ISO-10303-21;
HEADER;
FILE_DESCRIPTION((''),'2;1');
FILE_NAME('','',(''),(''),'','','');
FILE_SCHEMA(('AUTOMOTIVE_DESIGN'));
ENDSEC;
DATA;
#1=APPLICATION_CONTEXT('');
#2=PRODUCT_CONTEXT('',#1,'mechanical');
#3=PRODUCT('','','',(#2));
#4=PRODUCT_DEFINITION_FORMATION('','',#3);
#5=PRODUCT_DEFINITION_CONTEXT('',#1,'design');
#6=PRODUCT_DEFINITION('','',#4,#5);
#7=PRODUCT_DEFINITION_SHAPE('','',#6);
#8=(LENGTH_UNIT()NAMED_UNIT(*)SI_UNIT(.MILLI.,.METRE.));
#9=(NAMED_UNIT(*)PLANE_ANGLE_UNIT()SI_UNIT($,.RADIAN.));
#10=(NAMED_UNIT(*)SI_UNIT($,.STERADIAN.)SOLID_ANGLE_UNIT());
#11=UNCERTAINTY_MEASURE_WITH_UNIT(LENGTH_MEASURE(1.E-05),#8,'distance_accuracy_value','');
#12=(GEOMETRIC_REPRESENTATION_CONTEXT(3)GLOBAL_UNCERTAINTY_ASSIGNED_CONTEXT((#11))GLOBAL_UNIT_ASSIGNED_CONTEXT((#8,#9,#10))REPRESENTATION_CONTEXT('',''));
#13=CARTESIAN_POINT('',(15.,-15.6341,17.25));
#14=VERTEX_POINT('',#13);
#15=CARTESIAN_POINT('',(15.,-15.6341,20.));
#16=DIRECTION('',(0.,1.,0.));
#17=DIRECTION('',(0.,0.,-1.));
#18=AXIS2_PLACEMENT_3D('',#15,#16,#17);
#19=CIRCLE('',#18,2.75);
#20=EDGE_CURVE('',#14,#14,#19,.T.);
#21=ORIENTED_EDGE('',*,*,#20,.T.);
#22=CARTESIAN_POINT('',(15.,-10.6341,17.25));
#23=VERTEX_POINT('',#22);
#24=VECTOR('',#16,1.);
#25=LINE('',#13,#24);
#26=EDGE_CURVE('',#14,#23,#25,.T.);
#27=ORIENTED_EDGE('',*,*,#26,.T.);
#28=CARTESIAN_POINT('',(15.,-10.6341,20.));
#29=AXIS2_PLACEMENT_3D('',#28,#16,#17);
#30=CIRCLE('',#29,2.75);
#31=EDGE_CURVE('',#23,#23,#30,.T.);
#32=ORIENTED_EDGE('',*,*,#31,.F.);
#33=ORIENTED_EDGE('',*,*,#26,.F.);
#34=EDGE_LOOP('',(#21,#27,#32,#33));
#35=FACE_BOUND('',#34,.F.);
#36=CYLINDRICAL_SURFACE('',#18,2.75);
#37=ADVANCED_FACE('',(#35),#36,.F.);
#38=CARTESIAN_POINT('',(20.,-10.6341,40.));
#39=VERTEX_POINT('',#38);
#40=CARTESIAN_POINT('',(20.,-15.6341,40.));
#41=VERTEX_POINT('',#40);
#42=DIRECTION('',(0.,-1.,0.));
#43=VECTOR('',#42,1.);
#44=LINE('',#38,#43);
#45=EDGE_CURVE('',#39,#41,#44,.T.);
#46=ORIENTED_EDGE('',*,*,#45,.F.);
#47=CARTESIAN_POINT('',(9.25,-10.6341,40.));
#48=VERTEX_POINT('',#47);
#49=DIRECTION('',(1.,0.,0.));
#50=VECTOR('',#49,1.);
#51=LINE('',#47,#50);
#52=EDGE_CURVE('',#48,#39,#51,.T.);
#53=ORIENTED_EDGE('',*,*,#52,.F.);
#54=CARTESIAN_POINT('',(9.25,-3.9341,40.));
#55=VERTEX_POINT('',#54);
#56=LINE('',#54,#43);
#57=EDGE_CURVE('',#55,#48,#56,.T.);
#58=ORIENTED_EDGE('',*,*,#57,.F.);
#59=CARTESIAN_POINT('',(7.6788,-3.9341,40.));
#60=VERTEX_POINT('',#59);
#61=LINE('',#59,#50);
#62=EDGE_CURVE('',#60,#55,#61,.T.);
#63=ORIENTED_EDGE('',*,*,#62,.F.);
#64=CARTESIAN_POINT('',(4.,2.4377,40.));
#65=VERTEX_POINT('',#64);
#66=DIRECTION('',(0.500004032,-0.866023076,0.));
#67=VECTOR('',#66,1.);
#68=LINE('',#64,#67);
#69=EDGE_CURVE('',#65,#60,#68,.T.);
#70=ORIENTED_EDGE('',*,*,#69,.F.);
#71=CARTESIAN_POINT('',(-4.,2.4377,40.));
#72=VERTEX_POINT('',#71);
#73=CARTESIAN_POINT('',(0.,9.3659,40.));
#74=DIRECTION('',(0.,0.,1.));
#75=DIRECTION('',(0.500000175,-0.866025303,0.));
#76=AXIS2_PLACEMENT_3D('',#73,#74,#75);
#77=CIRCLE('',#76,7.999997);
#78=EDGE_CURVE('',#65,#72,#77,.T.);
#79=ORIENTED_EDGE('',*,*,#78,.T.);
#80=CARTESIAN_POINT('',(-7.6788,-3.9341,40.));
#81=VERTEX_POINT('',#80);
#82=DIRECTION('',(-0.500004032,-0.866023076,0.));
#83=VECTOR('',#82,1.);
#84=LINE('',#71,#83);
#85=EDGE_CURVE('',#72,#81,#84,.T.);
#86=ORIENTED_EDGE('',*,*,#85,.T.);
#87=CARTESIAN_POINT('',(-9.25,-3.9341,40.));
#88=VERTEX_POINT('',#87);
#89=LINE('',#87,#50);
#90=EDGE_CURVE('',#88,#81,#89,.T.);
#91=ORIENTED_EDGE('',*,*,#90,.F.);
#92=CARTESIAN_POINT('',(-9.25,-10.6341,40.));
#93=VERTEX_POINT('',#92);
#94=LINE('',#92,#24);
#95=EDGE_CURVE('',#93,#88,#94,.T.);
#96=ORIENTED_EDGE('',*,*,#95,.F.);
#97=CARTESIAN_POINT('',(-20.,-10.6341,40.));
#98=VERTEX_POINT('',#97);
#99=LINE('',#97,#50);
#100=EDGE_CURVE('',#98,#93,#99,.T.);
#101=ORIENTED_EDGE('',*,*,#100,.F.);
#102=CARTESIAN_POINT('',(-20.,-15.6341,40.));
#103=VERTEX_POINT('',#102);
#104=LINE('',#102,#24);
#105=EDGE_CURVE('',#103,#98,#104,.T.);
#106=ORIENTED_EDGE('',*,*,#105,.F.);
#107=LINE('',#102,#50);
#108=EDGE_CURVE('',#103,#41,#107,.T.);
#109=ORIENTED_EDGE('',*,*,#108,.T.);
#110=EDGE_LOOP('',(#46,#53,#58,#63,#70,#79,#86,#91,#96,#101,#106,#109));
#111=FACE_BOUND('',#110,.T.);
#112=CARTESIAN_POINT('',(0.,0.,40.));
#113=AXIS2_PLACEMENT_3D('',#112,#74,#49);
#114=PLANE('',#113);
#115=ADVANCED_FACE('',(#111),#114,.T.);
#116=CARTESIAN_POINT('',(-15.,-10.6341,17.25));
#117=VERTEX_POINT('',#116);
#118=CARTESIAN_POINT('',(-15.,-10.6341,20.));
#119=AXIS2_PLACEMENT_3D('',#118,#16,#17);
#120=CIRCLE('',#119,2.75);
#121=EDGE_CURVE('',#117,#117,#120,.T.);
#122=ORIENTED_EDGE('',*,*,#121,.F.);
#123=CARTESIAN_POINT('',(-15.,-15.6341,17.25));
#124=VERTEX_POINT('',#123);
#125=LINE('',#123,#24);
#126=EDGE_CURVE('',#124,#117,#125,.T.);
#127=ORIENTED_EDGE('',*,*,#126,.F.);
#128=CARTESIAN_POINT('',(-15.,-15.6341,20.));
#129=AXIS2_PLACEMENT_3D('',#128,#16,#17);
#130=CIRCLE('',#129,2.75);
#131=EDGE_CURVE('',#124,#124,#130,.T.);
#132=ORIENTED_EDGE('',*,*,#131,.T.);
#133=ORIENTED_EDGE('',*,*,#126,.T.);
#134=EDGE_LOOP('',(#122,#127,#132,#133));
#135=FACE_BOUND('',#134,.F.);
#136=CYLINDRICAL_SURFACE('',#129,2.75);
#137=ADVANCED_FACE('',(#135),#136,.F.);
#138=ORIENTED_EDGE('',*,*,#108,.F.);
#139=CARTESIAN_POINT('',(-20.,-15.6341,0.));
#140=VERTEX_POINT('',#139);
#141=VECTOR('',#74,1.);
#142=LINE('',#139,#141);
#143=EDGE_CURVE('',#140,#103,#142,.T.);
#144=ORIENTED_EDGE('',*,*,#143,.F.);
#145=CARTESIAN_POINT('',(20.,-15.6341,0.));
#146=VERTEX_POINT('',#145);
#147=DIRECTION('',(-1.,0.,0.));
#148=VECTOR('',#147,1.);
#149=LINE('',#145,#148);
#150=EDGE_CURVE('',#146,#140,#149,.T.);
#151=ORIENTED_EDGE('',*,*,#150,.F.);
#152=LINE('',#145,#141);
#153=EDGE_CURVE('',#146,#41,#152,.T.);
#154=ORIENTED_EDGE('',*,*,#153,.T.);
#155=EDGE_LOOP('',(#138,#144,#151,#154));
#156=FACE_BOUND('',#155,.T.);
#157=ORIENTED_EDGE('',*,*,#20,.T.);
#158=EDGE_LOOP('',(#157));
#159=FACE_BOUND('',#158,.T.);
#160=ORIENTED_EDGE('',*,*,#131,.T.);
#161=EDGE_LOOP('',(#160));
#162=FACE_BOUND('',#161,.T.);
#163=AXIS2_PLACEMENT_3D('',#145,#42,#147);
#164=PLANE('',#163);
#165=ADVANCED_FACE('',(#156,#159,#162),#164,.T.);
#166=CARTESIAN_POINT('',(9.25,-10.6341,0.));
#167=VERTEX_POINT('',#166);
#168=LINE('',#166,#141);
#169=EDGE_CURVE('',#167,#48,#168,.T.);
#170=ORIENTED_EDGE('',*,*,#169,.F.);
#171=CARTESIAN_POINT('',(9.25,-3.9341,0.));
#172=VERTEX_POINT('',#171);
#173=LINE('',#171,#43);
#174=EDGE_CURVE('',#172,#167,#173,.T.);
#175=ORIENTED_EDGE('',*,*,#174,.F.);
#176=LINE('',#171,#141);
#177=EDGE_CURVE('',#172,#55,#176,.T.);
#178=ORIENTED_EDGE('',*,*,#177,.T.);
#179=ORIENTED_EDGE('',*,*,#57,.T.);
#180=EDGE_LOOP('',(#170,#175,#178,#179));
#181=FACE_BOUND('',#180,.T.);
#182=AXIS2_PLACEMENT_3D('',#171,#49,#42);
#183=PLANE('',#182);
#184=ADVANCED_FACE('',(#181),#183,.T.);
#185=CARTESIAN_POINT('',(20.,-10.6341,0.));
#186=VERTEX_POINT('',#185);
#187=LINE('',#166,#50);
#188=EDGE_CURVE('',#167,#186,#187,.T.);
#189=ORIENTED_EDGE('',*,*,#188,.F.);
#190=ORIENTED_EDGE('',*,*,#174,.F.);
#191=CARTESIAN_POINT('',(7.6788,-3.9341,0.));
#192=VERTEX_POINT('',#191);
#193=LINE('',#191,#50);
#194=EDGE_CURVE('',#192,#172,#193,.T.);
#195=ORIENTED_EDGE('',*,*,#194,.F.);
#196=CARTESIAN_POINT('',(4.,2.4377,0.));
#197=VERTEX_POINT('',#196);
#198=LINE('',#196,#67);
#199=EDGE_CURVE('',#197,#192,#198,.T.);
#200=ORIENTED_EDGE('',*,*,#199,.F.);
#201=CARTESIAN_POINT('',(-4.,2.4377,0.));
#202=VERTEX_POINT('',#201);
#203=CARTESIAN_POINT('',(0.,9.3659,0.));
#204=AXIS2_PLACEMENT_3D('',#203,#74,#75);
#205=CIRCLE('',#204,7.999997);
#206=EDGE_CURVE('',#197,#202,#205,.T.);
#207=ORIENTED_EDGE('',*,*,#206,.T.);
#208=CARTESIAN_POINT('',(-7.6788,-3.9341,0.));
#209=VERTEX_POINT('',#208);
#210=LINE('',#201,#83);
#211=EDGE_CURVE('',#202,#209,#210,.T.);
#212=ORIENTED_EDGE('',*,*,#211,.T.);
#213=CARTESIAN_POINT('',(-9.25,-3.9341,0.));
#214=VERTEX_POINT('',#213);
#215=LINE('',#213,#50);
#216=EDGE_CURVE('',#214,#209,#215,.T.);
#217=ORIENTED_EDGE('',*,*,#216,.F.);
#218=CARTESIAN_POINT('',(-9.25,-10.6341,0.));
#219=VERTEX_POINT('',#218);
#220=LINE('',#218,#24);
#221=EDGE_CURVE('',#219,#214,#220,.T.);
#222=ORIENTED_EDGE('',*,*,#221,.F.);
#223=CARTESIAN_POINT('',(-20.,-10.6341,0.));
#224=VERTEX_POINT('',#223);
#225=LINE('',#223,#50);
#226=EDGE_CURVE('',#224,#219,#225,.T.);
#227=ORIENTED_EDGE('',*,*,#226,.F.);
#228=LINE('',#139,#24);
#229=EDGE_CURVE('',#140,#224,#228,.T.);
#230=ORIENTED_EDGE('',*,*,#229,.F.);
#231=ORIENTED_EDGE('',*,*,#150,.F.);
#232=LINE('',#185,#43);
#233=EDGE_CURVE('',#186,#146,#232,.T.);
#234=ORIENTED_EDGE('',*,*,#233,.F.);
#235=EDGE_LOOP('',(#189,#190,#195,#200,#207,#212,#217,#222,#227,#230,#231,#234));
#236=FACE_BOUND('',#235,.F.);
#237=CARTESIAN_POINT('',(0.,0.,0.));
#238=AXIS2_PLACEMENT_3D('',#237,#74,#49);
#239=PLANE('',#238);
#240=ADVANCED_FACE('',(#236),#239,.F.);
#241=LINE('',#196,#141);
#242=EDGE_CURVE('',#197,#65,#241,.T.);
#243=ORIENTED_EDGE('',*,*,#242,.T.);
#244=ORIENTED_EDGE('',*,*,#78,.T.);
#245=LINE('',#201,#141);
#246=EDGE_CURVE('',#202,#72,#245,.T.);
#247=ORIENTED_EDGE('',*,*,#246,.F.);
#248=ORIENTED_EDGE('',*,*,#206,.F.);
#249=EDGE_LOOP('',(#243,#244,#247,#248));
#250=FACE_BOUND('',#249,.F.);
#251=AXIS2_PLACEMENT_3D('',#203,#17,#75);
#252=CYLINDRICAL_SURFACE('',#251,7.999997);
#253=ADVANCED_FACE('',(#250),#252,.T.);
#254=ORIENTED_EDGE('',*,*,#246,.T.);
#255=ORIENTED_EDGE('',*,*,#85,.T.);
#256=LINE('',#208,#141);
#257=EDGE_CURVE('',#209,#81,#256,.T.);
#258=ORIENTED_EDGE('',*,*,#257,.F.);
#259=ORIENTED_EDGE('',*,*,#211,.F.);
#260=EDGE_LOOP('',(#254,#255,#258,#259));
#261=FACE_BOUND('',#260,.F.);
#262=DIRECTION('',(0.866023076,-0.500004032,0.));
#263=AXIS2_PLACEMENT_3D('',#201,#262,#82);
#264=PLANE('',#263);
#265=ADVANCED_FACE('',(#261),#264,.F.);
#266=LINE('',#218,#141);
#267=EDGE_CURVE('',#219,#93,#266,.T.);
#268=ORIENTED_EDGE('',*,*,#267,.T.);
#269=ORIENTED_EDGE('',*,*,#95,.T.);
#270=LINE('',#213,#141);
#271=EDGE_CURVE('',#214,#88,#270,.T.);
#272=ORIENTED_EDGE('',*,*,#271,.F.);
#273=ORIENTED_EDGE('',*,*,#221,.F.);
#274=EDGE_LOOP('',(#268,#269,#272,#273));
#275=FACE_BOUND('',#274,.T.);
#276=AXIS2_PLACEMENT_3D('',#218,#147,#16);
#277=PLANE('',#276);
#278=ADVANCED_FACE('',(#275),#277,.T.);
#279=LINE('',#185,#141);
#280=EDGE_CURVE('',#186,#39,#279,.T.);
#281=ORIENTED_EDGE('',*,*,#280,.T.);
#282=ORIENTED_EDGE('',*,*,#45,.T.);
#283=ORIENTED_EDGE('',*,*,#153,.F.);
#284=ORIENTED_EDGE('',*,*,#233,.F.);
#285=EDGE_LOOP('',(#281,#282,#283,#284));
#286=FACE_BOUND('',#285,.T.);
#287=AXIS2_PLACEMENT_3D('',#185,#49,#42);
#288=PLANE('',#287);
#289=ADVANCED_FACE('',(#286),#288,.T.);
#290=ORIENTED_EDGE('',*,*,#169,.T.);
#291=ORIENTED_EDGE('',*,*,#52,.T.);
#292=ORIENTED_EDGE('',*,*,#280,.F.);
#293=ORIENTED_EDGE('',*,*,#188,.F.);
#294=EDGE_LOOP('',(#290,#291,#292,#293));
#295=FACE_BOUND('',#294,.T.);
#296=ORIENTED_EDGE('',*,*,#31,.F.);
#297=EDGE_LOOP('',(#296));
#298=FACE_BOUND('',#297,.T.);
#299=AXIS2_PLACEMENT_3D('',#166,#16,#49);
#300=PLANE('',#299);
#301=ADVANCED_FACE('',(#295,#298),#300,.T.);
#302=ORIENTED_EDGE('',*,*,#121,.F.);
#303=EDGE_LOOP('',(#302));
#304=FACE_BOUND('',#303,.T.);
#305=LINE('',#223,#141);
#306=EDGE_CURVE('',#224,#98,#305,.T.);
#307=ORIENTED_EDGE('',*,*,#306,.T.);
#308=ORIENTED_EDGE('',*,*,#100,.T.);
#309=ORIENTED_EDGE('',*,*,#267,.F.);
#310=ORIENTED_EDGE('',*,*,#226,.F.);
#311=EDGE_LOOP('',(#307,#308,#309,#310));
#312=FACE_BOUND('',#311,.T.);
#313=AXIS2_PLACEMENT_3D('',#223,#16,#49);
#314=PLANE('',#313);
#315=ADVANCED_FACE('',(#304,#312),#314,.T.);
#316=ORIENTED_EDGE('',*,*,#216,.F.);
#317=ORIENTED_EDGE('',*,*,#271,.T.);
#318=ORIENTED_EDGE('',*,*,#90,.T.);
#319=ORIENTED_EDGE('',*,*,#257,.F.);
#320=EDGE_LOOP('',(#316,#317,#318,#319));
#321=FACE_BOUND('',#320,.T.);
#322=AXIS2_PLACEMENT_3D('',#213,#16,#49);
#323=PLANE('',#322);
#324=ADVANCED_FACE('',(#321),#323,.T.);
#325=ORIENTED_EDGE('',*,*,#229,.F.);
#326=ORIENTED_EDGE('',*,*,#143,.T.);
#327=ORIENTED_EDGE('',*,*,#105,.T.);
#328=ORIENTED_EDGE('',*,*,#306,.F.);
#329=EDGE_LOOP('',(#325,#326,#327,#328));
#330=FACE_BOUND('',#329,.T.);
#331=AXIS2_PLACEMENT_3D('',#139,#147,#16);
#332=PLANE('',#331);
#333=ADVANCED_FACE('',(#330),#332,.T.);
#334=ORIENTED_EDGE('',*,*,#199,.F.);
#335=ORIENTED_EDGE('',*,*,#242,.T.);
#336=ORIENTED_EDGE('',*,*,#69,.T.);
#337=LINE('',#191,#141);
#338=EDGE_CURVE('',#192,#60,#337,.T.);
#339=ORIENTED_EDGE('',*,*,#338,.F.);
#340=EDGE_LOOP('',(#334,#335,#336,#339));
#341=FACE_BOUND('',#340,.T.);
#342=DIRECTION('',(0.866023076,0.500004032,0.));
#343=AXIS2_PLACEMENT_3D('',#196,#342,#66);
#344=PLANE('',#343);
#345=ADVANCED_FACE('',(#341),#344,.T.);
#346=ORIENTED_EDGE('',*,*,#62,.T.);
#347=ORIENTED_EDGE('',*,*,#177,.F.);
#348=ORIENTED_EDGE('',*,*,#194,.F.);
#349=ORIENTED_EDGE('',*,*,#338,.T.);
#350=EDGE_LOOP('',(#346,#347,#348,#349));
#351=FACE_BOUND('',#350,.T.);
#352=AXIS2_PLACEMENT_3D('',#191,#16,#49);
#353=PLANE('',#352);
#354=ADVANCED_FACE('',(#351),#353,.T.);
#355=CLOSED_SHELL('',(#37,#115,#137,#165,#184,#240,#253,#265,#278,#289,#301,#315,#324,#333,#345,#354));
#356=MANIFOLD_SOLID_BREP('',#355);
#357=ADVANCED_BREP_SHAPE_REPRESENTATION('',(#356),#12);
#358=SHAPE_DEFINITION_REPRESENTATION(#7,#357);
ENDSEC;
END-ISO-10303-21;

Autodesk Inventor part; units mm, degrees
ref_plane "YZ Plane" through (0, 0, 0) normal (1, 0, 0) x (0, 1, 0)
ref_plane "XZ Plane" through (0, 0, 0) normal (0, 1, 0) x (-1, 0, 0)
ref_plane "XY Plane" through (0, 0, 0) normal (0, 0, 1) x (1, 0, 0)
sketch "Esboço1" plane through (0, 0, 0) normal (0, 0, 1) x (1, 0, 0)
  arc A0 (4, 2.4377) -> (-4, 2.4377) centre (0, 9.3659) ccw
  line L0 (9.25, -3.9341) -> (9.25, -10.6341)
  line L1 (-9.25, -10.6341) -> (-9.25, -3.9341)
  line L2 (4, -15.6341) -> (-4, -15.6341)
  line L3 (20, -15.6341) -> (-20, -15.6341)
  line L4 (-20, -15.6341) -> (-20, -10.6341)
  line L5 (20, -10.6341) -> (20, -15.6341)
  line L6 (7.6788, -3.9341) -> (9.25, -3.9341)
  line L7 (-9.25, -3.9341) -> (-7.6788, -3.9341)
  line L8 (9.25, -10.6341) -> (20, -10.6341)
  line L9 (-20, -10.6341) -> (-9.25, -10.6341)
  line L10 (-4, 2.4377) -> (-7.6788, -3.9341)
  line L11 (-17.4151, -20.798) -> (-22.4188, -29.4646)
  line L12 (17.4151, -20.798) -> (23.6527, -31.6017)
  line L13 (9.25, -15.6341) -> (4, -15.6341)
  line L14 (0, -15.6341) -> (-9.25, -15.6341)
  line L15 (4, 2.4377) -> (7.6788, -3.9341)
  dimension "d6" = 16
  dimension "d7" = 25
  dimension "d8" = 18.5
  dimension "d9" = 11.7
  dimension "d10" = 8
  dimension "d13" = 5
  dimension "d14" = 40
extrude "Extrusão1" add sketch "Esboço1" along normal blind 40
sketch "Esboço3" plane through (-20, -15.6341, 0) normal (0, -1, 0) x (1, 0, 0)
  line L0 (0, 40) -> (40, 40) construction
  line L1 (20, 40) -> (20, 0) construction
  line L2 (20, 20) -> (5, 20) construction
  line L3 (5, 20) -> (20, 20) construction
  line L4 (20, 20) -> (35, 20) construction
  circle A0 centre (5, 20) radius 2.75
  circle A1 centre (35, 20) radius 2.75
  line L5 (40, 0) -> (0, 0) construction
  dimension "d18" = 15
  dimension "d19" = 15
  dimension "d20" = 5.5
  dimension "d21" = 5.5
  dimension "d22" = 20
hole "Furo1" at (-15, -15.6341, 20) at (15, -15.6341, 20) direction (0, 1, 0) diameter 5.5 depth 8 tip angle 118
properties part number "SBR16_COMPLEMENTENTO"
